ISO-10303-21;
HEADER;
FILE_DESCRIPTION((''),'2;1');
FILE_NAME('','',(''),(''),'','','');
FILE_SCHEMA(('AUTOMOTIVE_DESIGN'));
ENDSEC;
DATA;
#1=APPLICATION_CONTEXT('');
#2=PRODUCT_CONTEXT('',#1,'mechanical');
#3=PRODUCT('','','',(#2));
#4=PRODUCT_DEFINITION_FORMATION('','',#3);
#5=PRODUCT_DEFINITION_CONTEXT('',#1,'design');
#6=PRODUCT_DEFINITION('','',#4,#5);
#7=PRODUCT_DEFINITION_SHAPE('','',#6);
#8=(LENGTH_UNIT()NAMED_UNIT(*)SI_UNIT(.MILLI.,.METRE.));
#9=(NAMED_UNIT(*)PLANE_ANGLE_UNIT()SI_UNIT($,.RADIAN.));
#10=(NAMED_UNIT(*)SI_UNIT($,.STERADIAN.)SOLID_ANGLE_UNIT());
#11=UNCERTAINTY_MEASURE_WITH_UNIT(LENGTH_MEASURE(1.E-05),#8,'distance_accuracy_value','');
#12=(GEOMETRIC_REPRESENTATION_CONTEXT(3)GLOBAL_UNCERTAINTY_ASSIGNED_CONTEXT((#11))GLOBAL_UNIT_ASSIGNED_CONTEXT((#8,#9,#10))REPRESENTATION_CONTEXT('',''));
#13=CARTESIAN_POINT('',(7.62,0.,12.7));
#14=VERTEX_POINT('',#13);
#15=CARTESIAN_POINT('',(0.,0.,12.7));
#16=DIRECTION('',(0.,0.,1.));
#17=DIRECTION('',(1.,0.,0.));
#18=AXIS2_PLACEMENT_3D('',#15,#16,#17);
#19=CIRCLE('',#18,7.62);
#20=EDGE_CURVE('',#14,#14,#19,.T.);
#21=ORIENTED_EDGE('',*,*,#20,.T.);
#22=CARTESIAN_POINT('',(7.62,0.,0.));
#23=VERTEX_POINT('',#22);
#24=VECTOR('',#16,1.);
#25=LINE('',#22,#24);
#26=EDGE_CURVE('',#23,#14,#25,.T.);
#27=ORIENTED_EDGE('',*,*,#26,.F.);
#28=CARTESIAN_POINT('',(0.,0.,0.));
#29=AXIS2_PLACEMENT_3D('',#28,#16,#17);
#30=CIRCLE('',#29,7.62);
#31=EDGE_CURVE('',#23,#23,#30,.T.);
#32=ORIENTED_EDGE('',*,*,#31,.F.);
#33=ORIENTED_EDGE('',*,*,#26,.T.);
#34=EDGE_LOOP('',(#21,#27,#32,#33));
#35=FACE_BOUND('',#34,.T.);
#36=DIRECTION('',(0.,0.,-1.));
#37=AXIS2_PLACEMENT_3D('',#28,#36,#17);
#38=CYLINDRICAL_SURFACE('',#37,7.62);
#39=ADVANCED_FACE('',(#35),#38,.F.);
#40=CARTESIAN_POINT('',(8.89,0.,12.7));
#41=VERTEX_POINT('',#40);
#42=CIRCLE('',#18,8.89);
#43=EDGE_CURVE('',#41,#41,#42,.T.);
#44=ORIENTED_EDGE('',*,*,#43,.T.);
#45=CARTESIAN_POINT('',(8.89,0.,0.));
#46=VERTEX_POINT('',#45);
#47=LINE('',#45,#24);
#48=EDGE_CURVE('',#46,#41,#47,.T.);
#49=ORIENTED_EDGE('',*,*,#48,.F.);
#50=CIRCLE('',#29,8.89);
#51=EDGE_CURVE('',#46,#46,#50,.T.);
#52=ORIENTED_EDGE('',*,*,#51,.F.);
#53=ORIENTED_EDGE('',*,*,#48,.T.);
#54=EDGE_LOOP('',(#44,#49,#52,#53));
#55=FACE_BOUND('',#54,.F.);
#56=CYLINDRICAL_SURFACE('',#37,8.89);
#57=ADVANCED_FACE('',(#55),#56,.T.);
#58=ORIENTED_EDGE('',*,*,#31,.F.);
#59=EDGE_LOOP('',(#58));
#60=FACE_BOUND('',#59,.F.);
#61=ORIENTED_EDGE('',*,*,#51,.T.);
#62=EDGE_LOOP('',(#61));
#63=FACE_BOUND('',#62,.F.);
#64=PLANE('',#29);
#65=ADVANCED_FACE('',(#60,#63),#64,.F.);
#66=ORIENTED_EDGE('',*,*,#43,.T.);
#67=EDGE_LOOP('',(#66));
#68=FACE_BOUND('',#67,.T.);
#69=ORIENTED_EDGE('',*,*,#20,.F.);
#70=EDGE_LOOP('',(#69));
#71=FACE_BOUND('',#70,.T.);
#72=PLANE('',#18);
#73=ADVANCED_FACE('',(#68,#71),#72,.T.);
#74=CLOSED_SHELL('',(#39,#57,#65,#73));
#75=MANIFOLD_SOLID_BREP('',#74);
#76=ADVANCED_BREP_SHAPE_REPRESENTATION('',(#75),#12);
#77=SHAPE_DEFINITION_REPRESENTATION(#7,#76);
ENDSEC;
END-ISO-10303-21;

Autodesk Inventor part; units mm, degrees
ref_plane "YZ Plane" through (0, 0, 0) normal (1, 0, 0) x (0, 1, 0)
ref_plane "XZ Plane" through (0, 0, 0) normal (0, 1, 0) x (-1, 0, 0)
ref_plane "XY Plane" through (0, 0, 0) normal (0, 0, 1) x (1, 0, 0)
sketch "Sketch1" plane through (0, 0, 0) normal (0, 0, 1) x (1, 0, 0)
  circle A0 centre (0, 0) radius 8.89
  circle A1 centre (0, 0) radius 7.62
  dimension "d0" = 17.78
  dimension "d1" = 15.24
extrude "Extrusion1" add sketch "Sketch1" along normal blind 12.7
properties part number ".5 in spacer"
